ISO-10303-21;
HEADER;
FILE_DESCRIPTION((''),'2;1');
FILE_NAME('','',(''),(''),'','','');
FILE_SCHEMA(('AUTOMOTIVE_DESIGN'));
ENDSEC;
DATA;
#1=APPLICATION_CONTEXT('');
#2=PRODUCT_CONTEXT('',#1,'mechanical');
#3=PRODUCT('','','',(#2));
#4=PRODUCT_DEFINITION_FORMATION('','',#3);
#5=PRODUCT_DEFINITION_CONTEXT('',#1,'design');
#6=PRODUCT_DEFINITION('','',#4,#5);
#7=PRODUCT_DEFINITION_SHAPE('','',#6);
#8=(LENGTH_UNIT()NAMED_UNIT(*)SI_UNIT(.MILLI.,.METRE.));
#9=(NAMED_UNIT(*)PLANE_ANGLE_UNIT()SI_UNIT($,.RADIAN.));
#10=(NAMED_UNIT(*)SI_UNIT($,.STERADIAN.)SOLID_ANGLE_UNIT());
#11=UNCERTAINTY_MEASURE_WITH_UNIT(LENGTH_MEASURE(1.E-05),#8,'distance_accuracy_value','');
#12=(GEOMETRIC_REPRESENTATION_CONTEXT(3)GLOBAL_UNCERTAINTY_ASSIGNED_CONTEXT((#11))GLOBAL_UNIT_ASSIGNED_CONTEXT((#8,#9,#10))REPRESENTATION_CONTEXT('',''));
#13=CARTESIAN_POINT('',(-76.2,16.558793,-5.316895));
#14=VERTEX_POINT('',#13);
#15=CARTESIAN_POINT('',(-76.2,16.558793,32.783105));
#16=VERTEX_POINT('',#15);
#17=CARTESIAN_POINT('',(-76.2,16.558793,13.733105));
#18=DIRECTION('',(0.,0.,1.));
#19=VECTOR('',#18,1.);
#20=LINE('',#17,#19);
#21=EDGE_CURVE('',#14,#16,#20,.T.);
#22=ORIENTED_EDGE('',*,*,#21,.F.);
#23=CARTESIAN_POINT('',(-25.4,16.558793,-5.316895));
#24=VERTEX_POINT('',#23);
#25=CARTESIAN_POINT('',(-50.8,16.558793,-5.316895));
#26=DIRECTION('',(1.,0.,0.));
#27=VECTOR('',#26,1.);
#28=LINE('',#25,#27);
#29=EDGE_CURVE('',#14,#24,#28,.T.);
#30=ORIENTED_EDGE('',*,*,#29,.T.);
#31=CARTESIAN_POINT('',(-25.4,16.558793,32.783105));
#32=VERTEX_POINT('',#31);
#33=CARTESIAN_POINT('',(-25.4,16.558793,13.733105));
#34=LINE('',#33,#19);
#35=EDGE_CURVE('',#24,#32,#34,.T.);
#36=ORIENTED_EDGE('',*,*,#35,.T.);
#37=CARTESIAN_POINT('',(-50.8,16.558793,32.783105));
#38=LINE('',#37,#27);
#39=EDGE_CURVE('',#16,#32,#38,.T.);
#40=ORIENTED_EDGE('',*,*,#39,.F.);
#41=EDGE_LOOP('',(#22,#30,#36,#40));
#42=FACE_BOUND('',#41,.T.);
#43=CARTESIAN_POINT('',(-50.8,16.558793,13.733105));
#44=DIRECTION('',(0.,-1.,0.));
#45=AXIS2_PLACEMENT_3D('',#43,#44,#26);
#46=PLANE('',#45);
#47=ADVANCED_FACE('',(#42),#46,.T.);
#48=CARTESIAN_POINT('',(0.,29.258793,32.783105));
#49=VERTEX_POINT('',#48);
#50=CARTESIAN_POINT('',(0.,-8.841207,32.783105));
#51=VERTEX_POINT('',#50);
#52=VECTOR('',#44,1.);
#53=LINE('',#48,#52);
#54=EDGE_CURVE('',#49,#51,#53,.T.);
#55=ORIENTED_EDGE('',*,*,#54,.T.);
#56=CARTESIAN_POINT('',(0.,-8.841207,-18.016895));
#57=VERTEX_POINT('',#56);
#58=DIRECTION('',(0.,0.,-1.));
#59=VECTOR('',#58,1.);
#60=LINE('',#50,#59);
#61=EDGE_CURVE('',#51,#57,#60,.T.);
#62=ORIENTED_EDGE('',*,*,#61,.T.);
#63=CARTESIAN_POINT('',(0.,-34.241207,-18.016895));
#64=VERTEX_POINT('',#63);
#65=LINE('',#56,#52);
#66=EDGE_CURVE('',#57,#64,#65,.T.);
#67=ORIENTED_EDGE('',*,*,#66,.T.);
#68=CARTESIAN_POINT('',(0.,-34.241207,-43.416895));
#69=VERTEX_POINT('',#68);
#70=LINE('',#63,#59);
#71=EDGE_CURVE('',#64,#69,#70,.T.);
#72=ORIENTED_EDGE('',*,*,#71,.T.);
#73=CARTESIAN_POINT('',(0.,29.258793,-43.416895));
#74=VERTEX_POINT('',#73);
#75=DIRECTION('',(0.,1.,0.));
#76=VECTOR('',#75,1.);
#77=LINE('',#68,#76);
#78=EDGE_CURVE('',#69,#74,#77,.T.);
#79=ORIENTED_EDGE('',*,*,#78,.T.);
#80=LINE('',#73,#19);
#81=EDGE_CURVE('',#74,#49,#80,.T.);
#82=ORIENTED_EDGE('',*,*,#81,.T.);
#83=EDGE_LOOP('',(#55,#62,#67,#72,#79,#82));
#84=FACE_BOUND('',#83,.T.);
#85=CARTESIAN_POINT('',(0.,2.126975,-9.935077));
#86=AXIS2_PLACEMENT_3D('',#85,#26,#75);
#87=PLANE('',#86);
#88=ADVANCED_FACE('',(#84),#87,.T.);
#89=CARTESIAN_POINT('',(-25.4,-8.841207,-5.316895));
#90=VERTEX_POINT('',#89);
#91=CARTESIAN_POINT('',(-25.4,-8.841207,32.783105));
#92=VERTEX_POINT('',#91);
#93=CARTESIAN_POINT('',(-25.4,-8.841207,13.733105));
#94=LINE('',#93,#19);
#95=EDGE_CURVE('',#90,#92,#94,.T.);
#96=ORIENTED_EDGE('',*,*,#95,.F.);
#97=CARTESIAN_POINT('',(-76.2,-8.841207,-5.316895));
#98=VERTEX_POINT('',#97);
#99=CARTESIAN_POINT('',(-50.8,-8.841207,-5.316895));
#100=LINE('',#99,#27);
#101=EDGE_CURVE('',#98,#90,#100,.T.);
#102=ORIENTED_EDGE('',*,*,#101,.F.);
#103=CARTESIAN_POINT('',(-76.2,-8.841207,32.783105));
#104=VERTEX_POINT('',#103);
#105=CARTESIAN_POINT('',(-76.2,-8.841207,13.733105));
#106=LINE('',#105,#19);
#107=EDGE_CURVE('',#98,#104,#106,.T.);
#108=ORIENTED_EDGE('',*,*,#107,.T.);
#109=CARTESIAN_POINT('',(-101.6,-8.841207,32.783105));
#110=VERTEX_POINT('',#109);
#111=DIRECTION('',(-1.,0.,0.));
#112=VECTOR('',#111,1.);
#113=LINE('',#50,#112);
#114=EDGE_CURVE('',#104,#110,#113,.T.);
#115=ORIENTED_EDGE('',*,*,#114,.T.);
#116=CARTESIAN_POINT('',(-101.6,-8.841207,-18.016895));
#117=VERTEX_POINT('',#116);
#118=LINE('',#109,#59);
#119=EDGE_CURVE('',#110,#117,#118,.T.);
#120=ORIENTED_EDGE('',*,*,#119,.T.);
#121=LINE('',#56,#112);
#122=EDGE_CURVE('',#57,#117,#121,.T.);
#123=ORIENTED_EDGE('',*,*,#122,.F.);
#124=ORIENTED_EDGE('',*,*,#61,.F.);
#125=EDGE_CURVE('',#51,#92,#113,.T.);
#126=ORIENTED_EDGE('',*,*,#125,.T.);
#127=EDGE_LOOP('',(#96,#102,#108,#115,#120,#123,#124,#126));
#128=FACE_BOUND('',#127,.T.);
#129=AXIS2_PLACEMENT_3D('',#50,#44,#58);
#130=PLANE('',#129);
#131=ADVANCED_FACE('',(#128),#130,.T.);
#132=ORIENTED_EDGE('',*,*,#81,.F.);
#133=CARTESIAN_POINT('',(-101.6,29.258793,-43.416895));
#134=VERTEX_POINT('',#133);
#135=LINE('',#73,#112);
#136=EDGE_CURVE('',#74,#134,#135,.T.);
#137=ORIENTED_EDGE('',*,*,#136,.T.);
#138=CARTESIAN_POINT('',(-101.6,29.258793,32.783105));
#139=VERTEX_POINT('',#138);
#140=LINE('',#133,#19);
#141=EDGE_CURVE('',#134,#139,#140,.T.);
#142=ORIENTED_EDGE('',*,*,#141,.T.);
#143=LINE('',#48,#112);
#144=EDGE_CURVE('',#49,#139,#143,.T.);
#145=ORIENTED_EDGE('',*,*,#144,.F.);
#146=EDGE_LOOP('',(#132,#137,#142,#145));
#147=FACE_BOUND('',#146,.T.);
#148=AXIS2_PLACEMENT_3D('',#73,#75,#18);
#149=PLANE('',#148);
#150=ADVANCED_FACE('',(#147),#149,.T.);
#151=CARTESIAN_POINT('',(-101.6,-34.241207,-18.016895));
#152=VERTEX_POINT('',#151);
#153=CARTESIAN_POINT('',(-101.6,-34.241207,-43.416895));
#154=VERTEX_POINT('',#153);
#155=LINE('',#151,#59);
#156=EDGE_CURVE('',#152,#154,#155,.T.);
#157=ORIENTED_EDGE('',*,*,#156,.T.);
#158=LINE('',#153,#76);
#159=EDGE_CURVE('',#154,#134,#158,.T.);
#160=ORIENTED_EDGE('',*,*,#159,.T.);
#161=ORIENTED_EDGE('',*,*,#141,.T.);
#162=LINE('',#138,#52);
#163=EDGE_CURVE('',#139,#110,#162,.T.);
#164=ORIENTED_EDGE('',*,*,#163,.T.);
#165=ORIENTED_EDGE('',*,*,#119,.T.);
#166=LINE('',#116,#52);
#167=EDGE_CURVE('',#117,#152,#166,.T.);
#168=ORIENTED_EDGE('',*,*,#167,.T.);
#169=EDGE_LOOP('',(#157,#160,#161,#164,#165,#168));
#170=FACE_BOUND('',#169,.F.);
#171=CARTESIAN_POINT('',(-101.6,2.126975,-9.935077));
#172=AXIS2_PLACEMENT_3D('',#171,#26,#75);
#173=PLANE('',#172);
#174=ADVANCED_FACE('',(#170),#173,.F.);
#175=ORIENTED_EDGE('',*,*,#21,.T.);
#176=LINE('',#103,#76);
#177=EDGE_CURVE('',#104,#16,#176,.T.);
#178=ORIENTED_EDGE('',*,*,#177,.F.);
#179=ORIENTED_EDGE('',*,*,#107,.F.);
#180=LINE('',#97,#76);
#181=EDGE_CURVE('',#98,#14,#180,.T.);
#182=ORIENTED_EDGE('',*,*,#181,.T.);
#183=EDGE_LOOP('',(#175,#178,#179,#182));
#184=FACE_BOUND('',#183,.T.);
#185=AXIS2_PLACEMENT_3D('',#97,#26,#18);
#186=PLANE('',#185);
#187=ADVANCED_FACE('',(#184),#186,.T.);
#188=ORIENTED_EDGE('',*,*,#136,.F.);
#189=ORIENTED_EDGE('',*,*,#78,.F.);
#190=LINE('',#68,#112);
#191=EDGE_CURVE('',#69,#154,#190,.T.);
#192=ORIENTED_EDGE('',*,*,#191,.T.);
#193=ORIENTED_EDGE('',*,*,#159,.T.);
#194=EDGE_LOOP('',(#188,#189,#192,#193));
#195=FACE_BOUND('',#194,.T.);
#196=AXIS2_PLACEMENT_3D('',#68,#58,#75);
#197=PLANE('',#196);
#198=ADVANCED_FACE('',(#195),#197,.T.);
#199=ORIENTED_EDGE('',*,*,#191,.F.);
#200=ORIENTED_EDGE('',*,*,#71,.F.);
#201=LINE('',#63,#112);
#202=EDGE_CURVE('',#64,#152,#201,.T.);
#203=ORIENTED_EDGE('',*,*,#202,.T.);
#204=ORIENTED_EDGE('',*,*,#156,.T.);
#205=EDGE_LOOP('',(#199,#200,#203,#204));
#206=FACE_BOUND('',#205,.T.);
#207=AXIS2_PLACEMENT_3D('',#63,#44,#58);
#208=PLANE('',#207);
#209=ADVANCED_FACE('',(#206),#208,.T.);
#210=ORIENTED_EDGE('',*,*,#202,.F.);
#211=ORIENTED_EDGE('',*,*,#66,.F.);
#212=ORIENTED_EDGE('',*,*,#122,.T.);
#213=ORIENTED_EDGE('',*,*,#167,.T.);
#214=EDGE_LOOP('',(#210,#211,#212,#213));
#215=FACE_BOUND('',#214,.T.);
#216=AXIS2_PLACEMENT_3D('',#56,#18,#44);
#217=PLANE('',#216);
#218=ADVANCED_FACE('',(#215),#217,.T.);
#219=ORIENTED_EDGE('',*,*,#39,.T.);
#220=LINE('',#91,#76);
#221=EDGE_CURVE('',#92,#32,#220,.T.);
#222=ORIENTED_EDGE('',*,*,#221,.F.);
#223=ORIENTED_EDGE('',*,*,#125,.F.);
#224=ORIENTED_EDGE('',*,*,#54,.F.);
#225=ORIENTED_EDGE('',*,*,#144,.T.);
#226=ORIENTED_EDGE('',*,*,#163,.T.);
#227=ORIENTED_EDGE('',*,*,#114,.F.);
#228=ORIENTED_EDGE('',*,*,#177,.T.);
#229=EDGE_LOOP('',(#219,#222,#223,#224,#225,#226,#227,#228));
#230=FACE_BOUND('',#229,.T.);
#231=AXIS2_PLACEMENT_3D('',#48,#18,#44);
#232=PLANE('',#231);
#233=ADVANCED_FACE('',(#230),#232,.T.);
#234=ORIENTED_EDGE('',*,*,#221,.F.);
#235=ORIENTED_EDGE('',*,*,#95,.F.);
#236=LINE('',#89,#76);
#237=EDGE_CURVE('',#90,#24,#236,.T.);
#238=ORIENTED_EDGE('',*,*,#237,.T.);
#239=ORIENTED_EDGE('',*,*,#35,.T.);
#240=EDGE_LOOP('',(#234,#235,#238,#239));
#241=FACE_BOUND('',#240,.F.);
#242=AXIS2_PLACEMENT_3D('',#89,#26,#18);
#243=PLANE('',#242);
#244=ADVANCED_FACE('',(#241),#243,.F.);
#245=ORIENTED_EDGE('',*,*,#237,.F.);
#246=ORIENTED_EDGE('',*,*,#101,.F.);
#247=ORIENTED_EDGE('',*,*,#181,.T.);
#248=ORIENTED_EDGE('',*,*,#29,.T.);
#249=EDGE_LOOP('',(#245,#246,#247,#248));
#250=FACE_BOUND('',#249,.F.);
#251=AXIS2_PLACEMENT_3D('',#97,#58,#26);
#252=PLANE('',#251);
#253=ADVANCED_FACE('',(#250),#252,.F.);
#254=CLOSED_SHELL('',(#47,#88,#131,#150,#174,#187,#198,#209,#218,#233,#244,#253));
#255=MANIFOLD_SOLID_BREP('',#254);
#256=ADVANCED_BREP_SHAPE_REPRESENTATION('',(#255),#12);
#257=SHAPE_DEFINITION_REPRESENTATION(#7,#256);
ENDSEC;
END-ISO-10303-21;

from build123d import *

# Parameters (mm, degrees)
F1_DEPTH = 101.6
F2_W     = 50.8
F2_H     = 38.1
F3_DEPTH = 25.4


with BuildPart() as f1:
    # F0 (on Right) → F1 (new body)
    with BuildSketch(Plane.YZ):
        Polygon((-34.241207, -18.016895), (-34.241207, -43.416895), (29.258793, -43.416895), (29.258793, 32.783105), (-8.841207, 32.783105), (-8.841207, -18.016895), align=None)
    extrude(amount=-F1_DEPTH)

    # F2 (on face) → F3 (cut)
    with BuildSketch(Plane.XZ.offset(8.841207)):
        with Locations((-50.8, 13.733105)):
            Rectangle(F2_W, F2_H)
    extrude(amount=-F3_DEPTH, mode=Mode.SUBTRACT)


solid = f1.part
